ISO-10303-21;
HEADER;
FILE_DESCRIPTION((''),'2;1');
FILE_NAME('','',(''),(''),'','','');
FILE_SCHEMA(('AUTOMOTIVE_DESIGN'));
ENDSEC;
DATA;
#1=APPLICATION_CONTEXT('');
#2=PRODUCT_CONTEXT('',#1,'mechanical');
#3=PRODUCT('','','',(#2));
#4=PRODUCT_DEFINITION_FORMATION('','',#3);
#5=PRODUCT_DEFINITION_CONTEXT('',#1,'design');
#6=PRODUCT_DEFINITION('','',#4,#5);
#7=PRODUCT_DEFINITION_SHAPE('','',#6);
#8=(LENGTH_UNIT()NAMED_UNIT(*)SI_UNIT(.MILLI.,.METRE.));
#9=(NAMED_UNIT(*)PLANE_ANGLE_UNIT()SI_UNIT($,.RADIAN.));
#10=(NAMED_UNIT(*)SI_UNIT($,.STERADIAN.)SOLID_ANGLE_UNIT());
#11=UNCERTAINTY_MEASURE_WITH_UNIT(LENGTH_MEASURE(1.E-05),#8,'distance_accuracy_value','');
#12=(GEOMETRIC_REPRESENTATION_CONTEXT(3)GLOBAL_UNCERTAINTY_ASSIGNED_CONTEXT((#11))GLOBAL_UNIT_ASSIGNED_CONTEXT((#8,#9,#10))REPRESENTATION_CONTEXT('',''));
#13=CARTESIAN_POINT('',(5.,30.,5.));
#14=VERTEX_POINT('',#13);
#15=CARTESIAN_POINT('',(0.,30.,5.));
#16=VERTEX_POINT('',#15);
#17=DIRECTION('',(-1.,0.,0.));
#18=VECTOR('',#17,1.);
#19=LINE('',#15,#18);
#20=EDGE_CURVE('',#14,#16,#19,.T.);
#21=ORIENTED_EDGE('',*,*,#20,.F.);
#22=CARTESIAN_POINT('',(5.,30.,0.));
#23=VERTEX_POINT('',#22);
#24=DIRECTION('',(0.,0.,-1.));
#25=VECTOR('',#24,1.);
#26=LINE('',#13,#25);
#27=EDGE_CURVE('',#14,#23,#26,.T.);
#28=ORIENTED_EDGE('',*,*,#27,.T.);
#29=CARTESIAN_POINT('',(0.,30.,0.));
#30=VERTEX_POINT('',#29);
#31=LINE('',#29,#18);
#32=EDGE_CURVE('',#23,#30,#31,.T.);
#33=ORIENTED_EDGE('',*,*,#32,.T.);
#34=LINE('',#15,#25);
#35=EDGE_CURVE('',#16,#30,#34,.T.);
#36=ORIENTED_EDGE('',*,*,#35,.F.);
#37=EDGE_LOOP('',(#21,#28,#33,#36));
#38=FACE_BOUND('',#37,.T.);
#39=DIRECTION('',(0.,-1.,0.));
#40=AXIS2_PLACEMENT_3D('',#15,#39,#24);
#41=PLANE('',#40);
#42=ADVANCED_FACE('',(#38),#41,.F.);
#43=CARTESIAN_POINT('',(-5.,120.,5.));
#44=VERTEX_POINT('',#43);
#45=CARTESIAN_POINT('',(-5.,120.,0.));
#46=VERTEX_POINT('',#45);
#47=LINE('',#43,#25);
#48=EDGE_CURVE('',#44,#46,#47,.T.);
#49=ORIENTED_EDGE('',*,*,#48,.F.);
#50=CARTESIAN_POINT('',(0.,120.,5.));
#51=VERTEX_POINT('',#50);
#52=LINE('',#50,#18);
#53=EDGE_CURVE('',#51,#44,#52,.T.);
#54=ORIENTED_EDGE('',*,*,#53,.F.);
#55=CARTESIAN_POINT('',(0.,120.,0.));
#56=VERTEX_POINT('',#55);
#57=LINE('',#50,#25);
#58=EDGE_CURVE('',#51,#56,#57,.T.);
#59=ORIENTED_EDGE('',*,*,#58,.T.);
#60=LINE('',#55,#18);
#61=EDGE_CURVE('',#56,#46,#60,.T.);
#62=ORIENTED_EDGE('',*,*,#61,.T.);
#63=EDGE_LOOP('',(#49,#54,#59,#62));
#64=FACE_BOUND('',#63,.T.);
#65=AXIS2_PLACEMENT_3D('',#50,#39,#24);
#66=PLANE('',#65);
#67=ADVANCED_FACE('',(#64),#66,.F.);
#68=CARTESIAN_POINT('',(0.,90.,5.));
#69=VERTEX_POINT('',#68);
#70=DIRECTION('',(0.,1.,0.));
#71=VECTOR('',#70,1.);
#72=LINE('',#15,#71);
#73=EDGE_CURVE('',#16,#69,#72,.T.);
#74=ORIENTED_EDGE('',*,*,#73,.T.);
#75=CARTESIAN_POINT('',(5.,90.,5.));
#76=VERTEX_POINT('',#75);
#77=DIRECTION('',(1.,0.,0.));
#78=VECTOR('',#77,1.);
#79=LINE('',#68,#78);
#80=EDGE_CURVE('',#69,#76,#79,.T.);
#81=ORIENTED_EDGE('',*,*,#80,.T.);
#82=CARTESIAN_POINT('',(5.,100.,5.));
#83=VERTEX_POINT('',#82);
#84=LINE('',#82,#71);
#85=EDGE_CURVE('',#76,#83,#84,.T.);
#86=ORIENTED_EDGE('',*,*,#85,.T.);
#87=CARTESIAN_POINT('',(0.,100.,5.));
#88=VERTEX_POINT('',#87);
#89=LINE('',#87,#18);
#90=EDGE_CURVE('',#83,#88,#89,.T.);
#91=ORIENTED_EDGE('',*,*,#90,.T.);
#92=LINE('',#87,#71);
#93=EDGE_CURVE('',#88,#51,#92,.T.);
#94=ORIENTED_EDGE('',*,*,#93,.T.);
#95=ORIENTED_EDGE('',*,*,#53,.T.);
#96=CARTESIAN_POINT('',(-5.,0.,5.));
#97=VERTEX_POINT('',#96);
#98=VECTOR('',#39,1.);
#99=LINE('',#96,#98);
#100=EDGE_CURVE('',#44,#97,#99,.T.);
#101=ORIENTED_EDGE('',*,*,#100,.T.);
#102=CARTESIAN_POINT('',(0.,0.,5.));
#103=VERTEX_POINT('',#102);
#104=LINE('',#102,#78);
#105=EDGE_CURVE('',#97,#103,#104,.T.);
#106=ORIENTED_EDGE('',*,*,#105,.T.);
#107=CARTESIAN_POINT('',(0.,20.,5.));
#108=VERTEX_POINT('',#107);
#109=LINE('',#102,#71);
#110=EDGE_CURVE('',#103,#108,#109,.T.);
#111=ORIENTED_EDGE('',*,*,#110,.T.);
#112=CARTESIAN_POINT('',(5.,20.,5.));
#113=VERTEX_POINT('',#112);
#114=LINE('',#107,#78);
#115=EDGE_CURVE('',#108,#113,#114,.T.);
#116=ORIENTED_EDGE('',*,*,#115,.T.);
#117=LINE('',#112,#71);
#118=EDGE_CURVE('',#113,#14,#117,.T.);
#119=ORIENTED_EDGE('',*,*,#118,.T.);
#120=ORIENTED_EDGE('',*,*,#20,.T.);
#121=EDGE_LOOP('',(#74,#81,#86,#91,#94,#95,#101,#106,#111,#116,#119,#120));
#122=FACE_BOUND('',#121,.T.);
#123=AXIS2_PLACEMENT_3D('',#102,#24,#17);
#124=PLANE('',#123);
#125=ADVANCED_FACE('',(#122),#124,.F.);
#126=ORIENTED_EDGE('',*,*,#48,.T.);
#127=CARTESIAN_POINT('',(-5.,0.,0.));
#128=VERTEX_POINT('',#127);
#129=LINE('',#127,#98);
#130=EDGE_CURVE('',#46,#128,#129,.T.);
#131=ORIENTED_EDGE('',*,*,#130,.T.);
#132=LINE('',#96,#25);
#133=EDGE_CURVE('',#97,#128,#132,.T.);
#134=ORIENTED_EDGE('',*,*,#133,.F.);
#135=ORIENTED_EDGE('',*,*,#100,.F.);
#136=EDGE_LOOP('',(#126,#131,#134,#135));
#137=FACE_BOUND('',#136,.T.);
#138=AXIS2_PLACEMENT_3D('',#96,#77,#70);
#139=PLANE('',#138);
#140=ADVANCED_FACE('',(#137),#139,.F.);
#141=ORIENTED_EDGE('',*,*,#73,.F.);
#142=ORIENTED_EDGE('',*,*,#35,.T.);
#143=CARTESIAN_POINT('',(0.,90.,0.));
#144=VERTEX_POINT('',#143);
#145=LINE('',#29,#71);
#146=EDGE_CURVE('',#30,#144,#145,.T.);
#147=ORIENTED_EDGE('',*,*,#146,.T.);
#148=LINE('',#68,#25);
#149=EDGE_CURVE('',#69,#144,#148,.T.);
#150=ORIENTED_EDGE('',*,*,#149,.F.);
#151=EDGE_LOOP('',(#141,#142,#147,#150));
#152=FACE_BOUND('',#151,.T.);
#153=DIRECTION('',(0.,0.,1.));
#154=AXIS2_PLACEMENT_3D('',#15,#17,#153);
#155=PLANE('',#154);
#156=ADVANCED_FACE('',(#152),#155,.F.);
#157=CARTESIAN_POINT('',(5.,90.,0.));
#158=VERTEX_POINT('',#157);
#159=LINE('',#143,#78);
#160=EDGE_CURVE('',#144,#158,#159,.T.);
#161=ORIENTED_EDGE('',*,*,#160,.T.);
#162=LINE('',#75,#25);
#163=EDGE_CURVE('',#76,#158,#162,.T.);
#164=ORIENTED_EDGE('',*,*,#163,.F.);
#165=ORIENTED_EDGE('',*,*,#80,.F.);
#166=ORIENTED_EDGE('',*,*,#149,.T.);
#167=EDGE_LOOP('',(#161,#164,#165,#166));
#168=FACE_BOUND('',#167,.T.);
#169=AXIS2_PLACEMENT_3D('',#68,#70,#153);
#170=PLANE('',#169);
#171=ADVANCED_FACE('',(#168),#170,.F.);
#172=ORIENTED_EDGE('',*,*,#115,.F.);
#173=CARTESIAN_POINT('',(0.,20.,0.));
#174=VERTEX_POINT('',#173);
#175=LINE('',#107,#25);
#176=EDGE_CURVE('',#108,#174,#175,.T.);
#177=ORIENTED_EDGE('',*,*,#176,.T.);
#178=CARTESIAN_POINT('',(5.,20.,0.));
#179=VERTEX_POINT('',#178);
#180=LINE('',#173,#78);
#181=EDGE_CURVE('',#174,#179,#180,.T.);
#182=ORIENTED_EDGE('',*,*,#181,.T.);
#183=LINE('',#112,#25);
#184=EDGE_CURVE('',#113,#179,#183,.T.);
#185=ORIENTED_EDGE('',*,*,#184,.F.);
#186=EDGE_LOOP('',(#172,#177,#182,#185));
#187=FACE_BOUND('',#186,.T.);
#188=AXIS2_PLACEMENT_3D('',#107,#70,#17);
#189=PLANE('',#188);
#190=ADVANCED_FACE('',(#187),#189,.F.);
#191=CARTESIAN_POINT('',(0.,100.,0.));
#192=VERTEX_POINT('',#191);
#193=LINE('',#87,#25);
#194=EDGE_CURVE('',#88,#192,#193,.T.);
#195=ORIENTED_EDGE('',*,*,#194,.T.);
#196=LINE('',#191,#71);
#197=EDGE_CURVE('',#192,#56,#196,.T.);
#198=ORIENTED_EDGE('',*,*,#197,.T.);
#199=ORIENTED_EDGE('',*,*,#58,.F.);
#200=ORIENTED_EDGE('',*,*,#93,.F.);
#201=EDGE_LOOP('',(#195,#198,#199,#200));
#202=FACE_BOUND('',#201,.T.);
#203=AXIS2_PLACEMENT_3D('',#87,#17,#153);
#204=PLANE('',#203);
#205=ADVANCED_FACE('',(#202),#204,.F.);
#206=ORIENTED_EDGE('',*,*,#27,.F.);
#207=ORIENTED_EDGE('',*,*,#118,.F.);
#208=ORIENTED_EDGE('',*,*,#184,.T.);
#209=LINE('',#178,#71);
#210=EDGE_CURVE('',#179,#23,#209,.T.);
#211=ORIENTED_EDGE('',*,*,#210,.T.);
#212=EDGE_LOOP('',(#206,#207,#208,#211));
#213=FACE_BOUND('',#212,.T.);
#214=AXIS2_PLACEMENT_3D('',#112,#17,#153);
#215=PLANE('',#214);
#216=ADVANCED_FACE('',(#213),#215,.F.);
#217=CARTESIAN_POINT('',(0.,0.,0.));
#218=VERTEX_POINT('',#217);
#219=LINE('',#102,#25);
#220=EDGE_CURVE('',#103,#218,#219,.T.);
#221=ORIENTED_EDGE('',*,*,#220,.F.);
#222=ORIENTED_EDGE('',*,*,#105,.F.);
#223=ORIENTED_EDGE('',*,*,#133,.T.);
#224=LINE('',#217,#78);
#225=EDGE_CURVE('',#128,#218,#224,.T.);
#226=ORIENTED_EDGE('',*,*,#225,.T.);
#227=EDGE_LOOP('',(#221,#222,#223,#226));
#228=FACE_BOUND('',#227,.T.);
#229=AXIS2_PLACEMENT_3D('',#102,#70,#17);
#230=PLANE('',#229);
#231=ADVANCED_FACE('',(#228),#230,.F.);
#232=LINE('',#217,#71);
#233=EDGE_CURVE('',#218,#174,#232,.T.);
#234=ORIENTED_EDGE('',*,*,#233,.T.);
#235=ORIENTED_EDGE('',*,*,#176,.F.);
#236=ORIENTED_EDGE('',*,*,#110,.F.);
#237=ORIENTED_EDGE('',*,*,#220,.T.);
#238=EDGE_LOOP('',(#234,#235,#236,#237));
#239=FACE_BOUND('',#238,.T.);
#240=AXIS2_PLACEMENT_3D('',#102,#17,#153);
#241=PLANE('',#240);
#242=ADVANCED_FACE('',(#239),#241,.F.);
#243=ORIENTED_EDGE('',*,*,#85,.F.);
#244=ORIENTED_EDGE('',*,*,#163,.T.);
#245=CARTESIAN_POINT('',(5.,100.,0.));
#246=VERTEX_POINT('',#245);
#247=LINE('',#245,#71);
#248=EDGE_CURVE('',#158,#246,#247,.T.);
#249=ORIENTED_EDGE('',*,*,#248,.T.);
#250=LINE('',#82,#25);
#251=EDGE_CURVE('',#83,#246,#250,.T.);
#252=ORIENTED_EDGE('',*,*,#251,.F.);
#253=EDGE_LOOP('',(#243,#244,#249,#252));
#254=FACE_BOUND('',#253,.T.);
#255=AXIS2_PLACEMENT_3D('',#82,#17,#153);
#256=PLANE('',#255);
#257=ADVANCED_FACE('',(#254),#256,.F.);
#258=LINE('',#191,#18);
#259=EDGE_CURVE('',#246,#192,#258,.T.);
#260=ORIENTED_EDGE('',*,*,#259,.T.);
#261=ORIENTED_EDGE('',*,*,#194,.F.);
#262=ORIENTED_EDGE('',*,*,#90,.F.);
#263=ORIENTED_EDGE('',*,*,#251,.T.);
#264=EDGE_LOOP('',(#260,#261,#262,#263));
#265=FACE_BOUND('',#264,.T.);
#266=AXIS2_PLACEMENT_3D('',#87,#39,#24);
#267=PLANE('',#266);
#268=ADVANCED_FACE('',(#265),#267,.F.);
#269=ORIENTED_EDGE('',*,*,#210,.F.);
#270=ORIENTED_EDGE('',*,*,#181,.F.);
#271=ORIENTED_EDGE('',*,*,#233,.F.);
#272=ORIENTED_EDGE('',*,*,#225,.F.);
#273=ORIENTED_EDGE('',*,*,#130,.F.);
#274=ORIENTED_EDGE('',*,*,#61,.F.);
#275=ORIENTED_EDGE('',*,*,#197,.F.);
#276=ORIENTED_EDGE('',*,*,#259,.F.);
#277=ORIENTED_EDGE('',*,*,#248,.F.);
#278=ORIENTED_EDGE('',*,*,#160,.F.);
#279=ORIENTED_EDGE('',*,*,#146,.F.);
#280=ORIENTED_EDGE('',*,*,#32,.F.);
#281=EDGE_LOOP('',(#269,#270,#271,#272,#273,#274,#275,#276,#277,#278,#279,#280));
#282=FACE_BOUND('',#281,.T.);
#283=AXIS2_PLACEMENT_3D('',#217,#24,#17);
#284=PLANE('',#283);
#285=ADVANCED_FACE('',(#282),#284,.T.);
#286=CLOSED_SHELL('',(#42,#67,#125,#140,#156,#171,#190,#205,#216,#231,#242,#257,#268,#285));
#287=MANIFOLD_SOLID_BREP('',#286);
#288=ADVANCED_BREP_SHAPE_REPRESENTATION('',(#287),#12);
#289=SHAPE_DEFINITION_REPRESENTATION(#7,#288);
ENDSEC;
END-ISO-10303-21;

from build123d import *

# Parameters (mm, degrees)
BOSS_EXTRU_1_DEPTH = 5


with BuildPart() as part:
    # Esquisse1 → Boss.-Extru.1 (new body)
    with BuildSketch(Plane.XY):
        Polygon((0, 0), (-5, 0), (-5, 120), (0, 120), (0, 100), (5, 100), (5, 90), (0, 90), (0, 30), (5, 30), (5, 20), (0, 20), align=None)
    extrude(amount=BOSS_EXTRU_1_DEPTH)


solid = part.part
